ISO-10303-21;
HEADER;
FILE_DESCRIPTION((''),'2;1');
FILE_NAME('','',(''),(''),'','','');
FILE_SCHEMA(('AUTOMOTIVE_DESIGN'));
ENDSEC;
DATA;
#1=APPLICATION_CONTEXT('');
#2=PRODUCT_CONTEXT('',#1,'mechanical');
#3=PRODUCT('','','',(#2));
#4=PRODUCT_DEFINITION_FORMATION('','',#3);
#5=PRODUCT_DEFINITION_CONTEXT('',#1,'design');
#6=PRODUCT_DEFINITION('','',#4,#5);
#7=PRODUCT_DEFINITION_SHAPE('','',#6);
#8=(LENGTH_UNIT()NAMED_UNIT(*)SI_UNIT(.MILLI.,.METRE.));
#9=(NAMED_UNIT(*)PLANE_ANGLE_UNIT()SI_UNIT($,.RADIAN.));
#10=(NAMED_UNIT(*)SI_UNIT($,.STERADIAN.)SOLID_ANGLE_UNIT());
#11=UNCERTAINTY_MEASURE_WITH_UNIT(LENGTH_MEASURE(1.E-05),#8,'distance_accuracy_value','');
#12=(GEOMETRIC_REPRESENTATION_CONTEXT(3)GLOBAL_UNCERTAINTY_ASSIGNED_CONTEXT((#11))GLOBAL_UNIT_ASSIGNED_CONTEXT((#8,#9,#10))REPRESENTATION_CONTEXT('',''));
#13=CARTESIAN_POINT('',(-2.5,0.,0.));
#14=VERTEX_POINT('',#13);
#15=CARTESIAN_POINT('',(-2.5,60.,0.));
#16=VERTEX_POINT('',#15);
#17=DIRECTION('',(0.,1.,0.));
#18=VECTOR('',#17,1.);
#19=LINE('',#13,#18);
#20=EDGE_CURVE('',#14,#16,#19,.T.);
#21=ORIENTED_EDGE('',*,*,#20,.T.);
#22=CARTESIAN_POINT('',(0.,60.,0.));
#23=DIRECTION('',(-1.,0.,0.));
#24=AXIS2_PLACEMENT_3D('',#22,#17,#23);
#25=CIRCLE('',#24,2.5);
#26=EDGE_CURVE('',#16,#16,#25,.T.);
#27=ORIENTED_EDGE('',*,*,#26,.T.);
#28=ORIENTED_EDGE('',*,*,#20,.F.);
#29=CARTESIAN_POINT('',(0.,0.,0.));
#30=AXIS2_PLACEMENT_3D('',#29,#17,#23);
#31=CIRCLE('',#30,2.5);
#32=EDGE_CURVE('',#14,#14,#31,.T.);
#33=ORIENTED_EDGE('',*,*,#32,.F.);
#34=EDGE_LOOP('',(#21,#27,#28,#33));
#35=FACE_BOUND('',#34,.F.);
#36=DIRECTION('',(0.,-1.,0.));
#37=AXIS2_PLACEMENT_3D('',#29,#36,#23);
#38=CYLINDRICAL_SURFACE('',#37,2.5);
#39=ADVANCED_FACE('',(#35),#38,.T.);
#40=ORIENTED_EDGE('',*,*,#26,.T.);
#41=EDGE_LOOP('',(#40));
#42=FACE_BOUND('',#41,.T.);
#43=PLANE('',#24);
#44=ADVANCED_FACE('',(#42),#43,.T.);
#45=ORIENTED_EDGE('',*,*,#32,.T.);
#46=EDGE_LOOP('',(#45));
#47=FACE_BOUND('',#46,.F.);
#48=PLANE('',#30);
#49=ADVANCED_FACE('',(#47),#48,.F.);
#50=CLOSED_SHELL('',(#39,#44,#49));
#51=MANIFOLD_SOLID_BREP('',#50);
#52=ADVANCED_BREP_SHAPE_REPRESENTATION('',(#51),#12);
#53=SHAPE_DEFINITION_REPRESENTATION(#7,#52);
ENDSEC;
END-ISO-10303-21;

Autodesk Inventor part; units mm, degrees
ref_plane "YZ Plane" through (0, 0, 0) normal (1, 0, 0) x (0, 1, 0)
ref_plane "XZ Plane" through (0, 0, 0) normal (0, 1, 0) x (-1, 0, 0)
ref_plane "XY Plane" through (0, 0, 0) normal (0, 0, 1) x (1, 0, 0)
sketch "Szkic1" plane through (0, 0, 0) normal (0, 1, 0) x (-1, 0, 0)
  circle A0 centre (0, 0) radius 4.25
  line L0 (1.1547, 2) -> (2.3094, 0)
  line L1 (2.3094, 0) -> (1.1547, -2)
  line L2 (1.1547, -2) -> (-1.1547, -2)
  line L3 (-1.1547, -2) -> (-2.3094, 0)
  line L4 (-2.3094, 0) -> (-1.1547, 2)
  line L5 (-1.1547, 2) -> (1.1547, 2)
  circle A1 centre (0, 0) radius 2.5
  dimension "d0" = 8.5
  dimension "d1" = 4
  dimension "d2" = 5
extrude "Wyciągnięcie proste4" add sketch "Szkic1" along normal blind 60 contours L0 L1 L2 L3 L4 L5 | A1
thread "Gwint2" size "M5x0.8" class "6g" standard "ANSI Metric M Profile" length 20
thread "Gwint3" size "M5x0.8" class "6g" standard "ANSI Metric M Profile" length 20
properties part number "M5_60_shaft" material "Aluminum 6061"
